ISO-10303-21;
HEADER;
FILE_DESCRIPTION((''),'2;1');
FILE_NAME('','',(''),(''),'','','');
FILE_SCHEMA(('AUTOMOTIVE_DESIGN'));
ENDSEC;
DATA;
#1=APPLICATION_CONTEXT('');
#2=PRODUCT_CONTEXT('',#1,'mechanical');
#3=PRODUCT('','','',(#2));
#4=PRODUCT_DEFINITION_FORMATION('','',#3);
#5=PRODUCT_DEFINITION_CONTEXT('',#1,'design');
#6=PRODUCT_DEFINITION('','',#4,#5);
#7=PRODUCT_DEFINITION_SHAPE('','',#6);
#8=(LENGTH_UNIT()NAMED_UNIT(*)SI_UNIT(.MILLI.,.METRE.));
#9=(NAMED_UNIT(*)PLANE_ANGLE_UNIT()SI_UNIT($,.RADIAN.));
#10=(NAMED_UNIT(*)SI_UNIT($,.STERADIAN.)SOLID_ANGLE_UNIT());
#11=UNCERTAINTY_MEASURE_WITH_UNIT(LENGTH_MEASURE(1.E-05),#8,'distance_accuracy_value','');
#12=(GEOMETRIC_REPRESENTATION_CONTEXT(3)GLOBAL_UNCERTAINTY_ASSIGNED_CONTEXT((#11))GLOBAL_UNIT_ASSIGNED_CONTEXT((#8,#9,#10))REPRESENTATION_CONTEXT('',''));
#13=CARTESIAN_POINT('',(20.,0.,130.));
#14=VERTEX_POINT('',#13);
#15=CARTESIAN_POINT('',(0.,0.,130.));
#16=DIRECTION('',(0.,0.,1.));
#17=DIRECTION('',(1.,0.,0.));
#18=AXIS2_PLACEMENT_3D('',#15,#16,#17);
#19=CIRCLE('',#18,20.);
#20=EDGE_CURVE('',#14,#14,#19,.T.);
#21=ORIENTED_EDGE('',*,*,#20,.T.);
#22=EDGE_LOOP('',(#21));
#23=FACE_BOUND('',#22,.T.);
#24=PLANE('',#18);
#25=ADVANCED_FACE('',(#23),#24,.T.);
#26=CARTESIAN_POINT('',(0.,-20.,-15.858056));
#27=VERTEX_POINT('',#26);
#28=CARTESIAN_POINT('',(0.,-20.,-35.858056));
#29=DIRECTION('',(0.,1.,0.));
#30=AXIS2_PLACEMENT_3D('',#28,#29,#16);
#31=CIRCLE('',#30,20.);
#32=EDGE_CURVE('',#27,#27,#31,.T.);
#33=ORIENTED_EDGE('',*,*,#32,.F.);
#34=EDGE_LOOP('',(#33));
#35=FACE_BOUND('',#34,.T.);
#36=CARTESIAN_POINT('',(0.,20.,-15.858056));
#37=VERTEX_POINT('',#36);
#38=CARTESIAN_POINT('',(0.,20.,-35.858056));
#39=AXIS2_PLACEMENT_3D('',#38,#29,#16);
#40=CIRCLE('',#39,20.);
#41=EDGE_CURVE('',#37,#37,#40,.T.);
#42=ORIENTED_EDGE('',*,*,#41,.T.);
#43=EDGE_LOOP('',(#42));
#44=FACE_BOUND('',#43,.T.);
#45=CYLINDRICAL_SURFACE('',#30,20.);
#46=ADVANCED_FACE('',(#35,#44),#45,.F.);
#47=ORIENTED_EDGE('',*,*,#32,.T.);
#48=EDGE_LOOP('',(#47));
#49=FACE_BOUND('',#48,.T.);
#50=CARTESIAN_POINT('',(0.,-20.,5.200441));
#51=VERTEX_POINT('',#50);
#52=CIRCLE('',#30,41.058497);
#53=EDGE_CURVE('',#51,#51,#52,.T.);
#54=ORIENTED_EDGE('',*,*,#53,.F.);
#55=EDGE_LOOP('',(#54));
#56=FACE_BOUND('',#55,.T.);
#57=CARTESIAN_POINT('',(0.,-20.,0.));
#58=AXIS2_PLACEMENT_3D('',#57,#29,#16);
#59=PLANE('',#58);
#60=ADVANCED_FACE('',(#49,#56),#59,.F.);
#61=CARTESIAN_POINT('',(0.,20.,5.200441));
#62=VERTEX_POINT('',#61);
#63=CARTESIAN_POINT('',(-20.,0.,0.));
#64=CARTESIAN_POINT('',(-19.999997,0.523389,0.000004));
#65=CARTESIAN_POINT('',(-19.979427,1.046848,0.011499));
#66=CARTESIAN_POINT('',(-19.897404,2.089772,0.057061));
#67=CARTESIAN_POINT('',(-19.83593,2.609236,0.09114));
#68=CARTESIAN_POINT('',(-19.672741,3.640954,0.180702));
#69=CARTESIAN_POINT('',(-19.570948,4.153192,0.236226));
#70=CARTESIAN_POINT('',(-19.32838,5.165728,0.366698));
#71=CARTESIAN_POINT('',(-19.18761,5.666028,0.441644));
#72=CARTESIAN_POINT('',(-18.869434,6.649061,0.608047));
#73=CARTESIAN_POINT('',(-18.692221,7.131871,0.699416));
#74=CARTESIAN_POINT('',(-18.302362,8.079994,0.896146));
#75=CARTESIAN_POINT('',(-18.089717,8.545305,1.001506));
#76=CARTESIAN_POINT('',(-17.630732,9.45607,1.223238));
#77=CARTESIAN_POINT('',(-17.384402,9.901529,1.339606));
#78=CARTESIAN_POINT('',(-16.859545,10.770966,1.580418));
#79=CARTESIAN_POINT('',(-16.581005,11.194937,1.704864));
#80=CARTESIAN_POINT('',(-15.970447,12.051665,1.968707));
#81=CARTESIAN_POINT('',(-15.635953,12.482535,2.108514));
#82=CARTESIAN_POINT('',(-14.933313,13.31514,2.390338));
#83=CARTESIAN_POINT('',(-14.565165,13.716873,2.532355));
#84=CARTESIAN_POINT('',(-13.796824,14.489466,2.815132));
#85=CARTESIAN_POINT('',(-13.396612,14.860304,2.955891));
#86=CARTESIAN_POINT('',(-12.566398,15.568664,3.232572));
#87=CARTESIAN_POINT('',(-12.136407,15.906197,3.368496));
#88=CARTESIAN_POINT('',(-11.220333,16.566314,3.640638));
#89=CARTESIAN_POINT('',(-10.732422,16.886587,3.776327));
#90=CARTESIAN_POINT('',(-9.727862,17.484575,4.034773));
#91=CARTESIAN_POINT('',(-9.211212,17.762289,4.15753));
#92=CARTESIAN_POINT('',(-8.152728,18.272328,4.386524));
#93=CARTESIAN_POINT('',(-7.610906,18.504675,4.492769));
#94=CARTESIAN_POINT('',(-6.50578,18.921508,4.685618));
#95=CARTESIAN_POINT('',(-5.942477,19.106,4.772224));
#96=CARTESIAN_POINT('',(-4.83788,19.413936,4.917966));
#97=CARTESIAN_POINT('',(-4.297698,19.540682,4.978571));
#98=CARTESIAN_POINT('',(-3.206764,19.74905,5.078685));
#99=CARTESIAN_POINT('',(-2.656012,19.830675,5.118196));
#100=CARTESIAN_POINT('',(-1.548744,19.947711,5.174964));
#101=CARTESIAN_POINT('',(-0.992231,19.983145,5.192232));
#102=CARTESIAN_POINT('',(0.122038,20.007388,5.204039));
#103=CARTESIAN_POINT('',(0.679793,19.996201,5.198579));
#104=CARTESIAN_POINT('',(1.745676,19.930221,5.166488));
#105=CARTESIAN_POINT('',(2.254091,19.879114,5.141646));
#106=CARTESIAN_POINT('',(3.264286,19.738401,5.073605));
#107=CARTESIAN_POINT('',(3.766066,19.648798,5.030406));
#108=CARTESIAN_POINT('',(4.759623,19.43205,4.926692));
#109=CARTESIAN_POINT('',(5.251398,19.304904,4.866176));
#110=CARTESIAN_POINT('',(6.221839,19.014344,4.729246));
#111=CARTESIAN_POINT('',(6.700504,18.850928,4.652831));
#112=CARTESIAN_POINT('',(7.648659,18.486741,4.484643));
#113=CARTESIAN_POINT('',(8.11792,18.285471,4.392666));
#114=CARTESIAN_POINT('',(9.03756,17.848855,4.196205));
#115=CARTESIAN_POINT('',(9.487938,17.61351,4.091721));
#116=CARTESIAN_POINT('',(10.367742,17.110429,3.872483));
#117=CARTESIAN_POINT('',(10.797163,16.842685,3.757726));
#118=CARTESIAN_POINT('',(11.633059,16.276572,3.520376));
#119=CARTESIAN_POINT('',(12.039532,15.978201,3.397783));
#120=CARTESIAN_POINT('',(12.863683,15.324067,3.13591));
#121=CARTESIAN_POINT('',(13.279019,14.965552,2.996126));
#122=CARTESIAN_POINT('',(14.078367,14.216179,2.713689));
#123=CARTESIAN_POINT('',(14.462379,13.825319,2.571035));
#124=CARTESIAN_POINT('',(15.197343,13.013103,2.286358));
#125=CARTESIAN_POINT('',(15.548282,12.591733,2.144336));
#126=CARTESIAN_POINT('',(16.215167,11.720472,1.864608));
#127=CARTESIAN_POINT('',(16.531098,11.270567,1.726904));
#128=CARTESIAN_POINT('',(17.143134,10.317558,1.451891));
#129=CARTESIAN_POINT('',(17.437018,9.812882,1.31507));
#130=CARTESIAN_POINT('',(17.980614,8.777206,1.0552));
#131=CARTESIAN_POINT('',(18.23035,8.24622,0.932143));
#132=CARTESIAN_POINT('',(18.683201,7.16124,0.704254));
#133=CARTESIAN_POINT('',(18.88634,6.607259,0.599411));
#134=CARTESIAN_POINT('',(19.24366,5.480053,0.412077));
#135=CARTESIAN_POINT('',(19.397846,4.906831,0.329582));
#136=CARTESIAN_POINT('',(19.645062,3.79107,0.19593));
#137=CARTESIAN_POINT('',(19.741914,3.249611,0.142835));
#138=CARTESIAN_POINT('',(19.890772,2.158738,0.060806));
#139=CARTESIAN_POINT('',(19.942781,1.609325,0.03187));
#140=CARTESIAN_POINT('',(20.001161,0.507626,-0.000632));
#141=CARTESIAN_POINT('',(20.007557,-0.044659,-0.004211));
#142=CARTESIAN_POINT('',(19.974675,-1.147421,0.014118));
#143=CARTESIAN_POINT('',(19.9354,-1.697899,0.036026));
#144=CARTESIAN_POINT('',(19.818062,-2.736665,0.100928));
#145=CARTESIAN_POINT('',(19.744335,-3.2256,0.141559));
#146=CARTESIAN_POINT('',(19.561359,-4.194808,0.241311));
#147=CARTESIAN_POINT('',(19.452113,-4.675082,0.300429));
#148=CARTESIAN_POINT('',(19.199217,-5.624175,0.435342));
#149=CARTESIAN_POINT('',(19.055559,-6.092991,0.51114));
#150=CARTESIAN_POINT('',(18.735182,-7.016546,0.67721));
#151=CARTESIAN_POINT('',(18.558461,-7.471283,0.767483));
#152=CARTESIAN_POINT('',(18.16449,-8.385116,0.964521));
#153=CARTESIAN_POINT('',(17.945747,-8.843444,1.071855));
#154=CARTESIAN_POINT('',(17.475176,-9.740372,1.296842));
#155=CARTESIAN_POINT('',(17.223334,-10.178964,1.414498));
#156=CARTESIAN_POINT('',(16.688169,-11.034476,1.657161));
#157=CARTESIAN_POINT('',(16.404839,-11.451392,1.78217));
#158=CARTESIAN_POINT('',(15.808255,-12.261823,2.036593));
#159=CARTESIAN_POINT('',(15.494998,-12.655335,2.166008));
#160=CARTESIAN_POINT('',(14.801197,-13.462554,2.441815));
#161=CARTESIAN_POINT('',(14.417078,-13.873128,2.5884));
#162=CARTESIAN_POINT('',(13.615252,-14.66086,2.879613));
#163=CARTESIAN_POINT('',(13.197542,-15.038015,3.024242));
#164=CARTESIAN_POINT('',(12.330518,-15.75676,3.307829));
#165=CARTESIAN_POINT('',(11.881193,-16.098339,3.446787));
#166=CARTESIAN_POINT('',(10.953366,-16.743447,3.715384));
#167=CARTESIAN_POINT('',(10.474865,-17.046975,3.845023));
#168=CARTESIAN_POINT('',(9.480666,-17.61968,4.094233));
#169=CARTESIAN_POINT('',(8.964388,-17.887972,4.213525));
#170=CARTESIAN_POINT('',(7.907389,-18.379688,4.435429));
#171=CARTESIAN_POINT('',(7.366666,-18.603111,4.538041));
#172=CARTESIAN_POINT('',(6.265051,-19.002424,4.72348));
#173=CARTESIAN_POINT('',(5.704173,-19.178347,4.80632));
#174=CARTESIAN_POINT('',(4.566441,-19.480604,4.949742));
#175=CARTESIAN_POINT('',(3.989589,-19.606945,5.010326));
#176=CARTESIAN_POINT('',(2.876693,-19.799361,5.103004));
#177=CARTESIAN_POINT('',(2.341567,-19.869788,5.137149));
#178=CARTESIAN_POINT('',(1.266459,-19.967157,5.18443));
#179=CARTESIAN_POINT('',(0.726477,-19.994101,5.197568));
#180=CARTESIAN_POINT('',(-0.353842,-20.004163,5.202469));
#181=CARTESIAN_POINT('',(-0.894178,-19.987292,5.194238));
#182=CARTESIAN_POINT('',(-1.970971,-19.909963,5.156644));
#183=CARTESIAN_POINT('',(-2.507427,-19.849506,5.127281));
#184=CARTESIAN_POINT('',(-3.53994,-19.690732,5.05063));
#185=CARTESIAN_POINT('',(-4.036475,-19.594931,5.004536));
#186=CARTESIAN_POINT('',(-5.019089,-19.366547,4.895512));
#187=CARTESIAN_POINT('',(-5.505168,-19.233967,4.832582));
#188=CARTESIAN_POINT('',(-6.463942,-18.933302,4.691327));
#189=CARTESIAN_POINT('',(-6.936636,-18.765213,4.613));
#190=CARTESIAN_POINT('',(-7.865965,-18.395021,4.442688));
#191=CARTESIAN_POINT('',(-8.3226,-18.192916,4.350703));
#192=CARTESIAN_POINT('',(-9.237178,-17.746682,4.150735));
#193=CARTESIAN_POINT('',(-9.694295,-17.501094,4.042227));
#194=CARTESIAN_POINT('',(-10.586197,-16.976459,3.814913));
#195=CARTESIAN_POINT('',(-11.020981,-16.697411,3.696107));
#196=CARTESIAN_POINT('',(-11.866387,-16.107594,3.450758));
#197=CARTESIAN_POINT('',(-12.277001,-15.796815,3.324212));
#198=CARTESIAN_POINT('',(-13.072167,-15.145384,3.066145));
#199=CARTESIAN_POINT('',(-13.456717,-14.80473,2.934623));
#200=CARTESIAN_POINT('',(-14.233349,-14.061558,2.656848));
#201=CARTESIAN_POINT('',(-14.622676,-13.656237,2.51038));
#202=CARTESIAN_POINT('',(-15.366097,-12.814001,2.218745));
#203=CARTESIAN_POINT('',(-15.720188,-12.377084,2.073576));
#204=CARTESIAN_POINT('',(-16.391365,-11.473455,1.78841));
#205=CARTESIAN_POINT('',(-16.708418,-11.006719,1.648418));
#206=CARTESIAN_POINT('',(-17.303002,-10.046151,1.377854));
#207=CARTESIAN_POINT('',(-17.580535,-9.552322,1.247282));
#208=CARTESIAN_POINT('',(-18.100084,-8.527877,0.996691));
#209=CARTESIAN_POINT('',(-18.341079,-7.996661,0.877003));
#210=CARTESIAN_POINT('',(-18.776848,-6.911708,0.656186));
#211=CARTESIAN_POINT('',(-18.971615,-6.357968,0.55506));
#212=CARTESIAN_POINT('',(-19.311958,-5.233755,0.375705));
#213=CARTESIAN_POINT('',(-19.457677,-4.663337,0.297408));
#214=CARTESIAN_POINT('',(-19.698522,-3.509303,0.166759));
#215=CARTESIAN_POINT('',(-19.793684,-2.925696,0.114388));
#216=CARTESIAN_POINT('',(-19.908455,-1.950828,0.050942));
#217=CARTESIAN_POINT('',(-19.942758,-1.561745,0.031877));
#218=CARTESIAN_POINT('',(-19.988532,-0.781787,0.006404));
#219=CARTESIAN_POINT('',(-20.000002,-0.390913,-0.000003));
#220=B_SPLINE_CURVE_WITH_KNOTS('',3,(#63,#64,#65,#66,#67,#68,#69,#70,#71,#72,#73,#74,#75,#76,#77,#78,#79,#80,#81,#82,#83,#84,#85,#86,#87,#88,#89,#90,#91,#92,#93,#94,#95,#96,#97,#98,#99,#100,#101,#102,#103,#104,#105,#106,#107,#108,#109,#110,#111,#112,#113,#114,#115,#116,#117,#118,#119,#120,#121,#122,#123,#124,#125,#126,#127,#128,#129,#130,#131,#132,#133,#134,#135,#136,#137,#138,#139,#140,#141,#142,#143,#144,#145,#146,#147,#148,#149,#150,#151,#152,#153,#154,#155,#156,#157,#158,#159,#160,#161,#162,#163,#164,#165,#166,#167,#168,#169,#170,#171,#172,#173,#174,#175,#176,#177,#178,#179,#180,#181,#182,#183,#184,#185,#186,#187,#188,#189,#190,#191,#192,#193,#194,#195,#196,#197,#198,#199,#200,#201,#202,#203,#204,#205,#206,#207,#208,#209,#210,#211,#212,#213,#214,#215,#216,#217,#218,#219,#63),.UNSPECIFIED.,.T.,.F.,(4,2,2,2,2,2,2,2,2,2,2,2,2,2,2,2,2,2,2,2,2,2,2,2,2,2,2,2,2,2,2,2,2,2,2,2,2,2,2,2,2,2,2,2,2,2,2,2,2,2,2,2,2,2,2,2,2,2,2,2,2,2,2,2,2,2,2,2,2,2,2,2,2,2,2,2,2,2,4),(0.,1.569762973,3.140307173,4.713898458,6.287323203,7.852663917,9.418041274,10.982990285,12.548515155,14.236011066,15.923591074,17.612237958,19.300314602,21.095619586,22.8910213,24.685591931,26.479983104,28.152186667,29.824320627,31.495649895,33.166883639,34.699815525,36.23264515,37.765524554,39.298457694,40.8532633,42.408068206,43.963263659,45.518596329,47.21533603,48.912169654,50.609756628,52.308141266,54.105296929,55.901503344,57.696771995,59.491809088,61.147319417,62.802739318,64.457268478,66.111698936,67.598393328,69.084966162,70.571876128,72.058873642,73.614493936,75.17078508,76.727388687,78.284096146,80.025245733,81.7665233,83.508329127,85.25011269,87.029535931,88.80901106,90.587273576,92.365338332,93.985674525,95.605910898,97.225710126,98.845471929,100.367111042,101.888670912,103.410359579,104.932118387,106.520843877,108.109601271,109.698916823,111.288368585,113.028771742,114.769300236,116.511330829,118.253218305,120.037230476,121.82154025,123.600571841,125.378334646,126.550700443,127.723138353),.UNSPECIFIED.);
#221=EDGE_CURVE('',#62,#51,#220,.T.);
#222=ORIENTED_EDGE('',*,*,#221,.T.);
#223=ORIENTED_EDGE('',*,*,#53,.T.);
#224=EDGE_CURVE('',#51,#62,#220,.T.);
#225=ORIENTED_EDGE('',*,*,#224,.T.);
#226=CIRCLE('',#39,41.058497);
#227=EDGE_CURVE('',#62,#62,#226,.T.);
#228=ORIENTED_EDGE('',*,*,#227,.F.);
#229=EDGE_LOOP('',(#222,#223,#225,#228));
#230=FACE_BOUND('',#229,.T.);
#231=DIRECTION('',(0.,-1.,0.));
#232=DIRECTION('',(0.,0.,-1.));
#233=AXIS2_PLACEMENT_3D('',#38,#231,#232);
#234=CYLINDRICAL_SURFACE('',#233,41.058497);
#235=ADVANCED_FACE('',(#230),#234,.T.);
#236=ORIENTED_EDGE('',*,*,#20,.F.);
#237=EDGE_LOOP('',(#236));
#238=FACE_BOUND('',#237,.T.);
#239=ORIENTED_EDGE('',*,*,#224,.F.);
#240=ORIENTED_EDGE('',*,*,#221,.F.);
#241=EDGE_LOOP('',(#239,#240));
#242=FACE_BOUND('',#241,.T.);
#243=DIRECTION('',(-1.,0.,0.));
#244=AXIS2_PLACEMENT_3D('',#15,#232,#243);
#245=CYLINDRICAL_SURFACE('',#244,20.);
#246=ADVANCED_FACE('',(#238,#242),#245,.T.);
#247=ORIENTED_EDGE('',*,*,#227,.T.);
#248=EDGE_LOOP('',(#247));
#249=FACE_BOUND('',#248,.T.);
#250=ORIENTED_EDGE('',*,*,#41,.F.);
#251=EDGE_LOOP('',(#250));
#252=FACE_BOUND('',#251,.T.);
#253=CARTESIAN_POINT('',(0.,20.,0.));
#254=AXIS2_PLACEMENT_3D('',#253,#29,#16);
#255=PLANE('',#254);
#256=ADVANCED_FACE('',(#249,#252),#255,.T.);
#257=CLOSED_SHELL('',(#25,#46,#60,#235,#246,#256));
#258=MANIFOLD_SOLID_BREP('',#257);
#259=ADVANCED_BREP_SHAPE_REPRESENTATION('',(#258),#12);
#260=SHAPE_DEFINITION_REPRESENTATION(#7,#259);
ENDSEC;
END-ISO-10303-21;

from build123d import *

# Parameters (mm, degrees)
SKETCH1_R           = 20
BOSS_EXTRUDE1_DEPTH = 130
SKETCH2_R           = 41.058497276
BOSS_EXTRUDE2_DEPTH = 20
SKETCH8_R           = 20
CUT_EXTRUDE1_DEPTH  = 40


with BuildPart() as part:
    # Sketch1 → Boss-Extrude1 (new body)
    with BuildSketch(Plane.XY):
        Circle(SKETCH1_R)
    extrude(amount=BOSS_EXTRUDE1_DEPTH)

    # Sketch2 → Boss-Extrude2 (add, symmetric)
    with BuildSketch(Plane(origin=(0, 0, 0), x_dir=(1, 0, 0), z_dir=(0, 1, 0))):
        with Locations((0, 35.858056257)):
            Circle(SKETCH2_R)
    extrude(amount=BOSS_EXTRUDE2_DEPTH, both=True)

    # Sketch8 → Cut-Extrude1 (cut)
    with BuildSketch(Plane(origin=(0, 20, 0), x_dir=(1, 0, 0), z_dir=(0, 1, 0))):
        with Locations(Location((0, 35.858056257, 0), (0, 0, 270))):
            Circle(SKETCH8_R)
    extrude(amount=-CUT_EXTRUDE1_DEPTH, mode=Mode.SUBTRACT)


solid = part.part
